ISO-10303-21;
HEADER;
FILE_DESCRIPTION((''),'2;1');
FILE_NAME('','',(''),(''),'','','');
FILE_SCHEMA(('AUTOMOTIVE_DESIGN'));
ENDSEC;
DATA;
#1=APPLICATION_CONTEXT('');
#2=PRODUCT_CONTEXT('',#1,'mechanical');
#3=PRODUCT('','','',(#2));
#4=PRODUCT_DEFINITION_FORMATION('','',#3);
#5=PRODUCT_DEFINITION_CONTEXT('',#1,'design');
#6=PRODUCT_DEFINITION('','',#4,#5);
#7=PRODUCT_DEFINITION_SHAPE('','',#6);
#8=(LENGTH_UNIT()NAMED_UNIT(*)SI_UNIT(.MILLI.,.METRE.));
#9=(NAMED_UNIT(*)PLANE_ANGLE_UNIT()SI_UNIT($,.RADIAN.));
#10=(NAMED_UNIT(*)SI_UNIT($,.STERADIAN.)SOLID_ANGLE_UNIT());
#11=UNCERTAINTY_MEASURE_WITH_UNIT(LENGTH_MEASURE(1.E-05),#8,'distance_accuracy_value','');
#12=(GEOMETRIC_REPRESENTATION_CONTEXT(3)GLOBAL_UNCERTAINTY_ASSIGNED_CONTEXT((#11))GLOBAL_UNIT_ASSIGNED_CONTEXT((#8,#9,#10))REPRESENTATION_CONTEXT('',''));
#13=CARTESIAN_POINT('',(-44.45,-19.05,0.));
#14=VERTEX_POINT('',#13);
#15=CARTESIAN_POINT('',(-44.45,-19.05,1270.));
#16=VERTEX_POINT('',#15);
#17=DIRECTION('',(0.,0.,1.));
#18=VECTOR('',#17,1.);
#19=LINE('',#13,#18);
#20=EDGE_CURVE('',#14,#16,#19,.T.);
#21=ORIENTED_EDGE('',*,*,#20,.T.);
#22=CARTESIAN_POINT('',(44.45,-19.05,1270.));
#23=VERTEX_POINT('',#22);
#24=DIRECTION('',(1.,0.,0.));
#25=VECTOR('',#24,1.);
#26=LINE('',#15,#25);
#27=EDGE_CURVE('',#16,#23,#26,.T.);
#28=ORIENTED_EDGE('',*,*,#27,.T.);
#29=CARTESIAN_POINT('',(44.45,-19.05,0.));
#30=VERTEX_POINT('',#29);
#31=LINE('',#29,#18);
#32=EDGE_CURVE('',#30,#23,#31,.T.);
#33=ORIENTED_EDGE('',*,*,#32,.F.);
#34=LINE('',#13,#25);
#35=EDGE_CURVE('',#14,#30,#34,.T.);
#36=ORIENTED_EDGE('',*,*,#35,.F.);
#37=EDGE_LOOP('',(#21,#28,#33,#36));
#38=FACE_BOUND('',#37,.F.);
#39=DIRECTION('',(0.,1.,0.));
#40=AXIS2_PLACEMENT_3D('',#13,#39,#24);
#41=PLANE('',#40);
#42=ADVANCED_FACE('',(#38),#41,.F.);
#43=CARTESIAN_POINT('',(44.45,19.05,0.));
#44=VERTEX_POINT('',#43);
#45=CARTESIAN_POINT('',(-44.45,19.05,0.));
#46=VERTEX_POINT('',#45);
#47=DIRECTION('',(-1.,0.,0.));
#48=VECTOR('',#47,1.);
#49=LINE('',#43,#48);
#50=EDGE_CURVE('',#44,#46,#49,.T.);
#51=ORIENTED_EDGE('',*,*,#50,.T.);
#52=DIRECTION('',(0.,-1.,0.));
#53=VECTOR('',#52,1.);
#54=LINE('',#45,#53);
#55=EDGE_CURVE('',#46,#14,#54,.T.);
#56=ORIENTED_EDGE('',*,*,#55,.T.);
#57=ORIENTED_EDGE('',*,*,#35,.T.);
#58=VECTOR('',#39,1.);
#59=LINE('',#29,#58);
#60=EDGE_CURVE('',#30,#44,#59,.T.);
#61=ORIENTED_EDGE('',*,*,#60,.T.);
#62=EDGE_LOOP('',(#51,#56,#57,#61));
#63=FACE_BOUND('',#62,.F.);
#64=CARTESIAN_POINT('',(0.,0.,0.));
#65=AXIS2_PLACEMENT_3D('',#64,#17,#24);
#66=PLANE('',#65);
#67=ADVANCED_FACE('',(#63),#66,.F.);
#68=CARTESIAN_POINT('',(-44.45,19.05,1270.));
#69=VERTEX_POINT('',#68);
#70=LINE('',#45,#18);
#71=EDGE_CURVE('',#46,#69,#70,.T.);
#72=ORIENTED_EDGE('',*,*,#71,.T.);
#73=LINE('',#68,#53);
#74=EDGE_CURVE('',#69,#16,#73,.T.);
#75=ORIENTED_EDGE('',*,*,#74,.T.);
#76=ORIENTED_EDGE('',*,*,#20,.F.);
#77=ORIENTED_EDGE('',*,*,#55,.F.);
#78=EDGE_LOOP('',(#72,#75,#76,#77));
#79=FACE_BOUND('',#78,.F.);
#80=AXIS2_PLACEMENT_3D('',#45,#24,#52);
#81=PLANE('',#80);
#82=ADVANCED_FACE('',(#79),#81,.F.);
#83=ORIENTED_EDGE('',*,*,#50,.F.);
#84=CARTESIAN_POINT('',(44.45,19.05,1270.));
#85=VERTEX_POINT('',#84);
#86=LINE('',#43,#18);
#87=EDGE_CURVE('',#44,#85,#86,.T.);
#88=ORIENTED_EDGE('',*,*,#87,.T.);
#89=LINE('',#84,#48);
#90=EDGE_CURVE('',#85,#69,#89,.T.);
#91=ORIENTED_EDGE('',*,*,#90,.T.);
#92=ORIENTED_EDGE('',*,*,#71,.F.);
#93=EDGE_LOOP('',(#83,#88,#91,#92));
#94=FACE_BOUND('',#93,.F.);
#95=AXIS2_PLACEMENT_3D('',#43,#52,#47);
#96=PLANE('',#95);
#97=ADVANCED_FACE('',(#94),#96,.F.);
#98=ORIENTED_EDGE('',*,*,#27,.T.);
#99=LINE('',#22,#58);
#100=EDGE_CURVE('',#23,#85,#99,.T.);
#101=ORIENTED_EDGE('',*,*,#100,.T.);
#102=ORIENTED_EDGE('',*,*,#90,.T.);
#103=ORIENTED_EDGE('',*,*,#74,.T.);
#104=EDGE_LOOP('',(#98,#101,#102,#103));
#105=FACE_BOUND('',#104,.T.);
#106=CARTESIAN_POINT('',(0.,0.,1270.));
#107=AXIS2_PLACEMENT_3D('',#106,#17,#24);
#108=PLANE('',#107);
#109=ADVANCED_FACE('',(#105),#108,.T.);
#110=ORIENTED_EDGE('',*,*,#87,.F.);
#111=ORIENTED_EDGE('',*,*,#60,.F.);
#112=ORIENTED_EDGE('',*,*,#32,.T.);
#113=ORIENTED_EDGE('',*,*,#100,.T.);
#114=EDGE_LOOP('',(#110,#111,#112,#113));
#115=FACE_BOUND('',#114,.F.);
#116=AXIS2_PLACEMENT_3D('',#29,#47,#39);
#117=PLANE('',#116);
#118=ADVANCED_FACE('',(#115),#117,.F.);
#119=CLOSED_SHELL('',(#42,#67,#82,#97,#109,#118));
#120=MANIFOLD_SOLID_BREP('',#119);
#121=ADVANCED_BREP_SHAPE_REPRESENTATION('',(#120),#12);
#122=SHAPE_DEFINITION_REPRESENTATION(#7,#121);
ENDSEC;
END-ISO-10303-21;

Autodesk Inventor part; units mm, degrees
ref_plane "YZ Plane" through (0, 0, 0) normal (1, 0, 0) x (0, 1, 0)
ref_plane "XZ Plane" through (0, 0, 0) normal (0, 1, 0) x (-1, 0, 0)
ref_plane "XY Plane" through (0, 0, 0) normal (0, 0, 1) x (1, 0, 0)
sketch "Sketch1" plane through (0, 0, 0) normal (0, 0, 1) x (1, 0, 0)
  line L0 (-44.45, -19.05) -> (44.45, -19.05)
  line L1 (44.45, -19.05) -> (44.45, 19.05)
  line L2 (44.45, 19.05) -> (-44.45, 19.05)
  line L3 (-44.45, 19.05) -> (-44.45, -19.05)
  line L4 (-44.45, -19.05) -> (44.45, 19.05) construction
  line L5 (44.45, -19.05) -> (-44.45, 19.05) construction
  point P0 (0, 0)
  dimension "d0" = 88.9
  dimension "d1" = 38.1
extrude "Extrusion1" add sketch "Sketch1" along normal blind 1270
properties part number "2x4x91"
